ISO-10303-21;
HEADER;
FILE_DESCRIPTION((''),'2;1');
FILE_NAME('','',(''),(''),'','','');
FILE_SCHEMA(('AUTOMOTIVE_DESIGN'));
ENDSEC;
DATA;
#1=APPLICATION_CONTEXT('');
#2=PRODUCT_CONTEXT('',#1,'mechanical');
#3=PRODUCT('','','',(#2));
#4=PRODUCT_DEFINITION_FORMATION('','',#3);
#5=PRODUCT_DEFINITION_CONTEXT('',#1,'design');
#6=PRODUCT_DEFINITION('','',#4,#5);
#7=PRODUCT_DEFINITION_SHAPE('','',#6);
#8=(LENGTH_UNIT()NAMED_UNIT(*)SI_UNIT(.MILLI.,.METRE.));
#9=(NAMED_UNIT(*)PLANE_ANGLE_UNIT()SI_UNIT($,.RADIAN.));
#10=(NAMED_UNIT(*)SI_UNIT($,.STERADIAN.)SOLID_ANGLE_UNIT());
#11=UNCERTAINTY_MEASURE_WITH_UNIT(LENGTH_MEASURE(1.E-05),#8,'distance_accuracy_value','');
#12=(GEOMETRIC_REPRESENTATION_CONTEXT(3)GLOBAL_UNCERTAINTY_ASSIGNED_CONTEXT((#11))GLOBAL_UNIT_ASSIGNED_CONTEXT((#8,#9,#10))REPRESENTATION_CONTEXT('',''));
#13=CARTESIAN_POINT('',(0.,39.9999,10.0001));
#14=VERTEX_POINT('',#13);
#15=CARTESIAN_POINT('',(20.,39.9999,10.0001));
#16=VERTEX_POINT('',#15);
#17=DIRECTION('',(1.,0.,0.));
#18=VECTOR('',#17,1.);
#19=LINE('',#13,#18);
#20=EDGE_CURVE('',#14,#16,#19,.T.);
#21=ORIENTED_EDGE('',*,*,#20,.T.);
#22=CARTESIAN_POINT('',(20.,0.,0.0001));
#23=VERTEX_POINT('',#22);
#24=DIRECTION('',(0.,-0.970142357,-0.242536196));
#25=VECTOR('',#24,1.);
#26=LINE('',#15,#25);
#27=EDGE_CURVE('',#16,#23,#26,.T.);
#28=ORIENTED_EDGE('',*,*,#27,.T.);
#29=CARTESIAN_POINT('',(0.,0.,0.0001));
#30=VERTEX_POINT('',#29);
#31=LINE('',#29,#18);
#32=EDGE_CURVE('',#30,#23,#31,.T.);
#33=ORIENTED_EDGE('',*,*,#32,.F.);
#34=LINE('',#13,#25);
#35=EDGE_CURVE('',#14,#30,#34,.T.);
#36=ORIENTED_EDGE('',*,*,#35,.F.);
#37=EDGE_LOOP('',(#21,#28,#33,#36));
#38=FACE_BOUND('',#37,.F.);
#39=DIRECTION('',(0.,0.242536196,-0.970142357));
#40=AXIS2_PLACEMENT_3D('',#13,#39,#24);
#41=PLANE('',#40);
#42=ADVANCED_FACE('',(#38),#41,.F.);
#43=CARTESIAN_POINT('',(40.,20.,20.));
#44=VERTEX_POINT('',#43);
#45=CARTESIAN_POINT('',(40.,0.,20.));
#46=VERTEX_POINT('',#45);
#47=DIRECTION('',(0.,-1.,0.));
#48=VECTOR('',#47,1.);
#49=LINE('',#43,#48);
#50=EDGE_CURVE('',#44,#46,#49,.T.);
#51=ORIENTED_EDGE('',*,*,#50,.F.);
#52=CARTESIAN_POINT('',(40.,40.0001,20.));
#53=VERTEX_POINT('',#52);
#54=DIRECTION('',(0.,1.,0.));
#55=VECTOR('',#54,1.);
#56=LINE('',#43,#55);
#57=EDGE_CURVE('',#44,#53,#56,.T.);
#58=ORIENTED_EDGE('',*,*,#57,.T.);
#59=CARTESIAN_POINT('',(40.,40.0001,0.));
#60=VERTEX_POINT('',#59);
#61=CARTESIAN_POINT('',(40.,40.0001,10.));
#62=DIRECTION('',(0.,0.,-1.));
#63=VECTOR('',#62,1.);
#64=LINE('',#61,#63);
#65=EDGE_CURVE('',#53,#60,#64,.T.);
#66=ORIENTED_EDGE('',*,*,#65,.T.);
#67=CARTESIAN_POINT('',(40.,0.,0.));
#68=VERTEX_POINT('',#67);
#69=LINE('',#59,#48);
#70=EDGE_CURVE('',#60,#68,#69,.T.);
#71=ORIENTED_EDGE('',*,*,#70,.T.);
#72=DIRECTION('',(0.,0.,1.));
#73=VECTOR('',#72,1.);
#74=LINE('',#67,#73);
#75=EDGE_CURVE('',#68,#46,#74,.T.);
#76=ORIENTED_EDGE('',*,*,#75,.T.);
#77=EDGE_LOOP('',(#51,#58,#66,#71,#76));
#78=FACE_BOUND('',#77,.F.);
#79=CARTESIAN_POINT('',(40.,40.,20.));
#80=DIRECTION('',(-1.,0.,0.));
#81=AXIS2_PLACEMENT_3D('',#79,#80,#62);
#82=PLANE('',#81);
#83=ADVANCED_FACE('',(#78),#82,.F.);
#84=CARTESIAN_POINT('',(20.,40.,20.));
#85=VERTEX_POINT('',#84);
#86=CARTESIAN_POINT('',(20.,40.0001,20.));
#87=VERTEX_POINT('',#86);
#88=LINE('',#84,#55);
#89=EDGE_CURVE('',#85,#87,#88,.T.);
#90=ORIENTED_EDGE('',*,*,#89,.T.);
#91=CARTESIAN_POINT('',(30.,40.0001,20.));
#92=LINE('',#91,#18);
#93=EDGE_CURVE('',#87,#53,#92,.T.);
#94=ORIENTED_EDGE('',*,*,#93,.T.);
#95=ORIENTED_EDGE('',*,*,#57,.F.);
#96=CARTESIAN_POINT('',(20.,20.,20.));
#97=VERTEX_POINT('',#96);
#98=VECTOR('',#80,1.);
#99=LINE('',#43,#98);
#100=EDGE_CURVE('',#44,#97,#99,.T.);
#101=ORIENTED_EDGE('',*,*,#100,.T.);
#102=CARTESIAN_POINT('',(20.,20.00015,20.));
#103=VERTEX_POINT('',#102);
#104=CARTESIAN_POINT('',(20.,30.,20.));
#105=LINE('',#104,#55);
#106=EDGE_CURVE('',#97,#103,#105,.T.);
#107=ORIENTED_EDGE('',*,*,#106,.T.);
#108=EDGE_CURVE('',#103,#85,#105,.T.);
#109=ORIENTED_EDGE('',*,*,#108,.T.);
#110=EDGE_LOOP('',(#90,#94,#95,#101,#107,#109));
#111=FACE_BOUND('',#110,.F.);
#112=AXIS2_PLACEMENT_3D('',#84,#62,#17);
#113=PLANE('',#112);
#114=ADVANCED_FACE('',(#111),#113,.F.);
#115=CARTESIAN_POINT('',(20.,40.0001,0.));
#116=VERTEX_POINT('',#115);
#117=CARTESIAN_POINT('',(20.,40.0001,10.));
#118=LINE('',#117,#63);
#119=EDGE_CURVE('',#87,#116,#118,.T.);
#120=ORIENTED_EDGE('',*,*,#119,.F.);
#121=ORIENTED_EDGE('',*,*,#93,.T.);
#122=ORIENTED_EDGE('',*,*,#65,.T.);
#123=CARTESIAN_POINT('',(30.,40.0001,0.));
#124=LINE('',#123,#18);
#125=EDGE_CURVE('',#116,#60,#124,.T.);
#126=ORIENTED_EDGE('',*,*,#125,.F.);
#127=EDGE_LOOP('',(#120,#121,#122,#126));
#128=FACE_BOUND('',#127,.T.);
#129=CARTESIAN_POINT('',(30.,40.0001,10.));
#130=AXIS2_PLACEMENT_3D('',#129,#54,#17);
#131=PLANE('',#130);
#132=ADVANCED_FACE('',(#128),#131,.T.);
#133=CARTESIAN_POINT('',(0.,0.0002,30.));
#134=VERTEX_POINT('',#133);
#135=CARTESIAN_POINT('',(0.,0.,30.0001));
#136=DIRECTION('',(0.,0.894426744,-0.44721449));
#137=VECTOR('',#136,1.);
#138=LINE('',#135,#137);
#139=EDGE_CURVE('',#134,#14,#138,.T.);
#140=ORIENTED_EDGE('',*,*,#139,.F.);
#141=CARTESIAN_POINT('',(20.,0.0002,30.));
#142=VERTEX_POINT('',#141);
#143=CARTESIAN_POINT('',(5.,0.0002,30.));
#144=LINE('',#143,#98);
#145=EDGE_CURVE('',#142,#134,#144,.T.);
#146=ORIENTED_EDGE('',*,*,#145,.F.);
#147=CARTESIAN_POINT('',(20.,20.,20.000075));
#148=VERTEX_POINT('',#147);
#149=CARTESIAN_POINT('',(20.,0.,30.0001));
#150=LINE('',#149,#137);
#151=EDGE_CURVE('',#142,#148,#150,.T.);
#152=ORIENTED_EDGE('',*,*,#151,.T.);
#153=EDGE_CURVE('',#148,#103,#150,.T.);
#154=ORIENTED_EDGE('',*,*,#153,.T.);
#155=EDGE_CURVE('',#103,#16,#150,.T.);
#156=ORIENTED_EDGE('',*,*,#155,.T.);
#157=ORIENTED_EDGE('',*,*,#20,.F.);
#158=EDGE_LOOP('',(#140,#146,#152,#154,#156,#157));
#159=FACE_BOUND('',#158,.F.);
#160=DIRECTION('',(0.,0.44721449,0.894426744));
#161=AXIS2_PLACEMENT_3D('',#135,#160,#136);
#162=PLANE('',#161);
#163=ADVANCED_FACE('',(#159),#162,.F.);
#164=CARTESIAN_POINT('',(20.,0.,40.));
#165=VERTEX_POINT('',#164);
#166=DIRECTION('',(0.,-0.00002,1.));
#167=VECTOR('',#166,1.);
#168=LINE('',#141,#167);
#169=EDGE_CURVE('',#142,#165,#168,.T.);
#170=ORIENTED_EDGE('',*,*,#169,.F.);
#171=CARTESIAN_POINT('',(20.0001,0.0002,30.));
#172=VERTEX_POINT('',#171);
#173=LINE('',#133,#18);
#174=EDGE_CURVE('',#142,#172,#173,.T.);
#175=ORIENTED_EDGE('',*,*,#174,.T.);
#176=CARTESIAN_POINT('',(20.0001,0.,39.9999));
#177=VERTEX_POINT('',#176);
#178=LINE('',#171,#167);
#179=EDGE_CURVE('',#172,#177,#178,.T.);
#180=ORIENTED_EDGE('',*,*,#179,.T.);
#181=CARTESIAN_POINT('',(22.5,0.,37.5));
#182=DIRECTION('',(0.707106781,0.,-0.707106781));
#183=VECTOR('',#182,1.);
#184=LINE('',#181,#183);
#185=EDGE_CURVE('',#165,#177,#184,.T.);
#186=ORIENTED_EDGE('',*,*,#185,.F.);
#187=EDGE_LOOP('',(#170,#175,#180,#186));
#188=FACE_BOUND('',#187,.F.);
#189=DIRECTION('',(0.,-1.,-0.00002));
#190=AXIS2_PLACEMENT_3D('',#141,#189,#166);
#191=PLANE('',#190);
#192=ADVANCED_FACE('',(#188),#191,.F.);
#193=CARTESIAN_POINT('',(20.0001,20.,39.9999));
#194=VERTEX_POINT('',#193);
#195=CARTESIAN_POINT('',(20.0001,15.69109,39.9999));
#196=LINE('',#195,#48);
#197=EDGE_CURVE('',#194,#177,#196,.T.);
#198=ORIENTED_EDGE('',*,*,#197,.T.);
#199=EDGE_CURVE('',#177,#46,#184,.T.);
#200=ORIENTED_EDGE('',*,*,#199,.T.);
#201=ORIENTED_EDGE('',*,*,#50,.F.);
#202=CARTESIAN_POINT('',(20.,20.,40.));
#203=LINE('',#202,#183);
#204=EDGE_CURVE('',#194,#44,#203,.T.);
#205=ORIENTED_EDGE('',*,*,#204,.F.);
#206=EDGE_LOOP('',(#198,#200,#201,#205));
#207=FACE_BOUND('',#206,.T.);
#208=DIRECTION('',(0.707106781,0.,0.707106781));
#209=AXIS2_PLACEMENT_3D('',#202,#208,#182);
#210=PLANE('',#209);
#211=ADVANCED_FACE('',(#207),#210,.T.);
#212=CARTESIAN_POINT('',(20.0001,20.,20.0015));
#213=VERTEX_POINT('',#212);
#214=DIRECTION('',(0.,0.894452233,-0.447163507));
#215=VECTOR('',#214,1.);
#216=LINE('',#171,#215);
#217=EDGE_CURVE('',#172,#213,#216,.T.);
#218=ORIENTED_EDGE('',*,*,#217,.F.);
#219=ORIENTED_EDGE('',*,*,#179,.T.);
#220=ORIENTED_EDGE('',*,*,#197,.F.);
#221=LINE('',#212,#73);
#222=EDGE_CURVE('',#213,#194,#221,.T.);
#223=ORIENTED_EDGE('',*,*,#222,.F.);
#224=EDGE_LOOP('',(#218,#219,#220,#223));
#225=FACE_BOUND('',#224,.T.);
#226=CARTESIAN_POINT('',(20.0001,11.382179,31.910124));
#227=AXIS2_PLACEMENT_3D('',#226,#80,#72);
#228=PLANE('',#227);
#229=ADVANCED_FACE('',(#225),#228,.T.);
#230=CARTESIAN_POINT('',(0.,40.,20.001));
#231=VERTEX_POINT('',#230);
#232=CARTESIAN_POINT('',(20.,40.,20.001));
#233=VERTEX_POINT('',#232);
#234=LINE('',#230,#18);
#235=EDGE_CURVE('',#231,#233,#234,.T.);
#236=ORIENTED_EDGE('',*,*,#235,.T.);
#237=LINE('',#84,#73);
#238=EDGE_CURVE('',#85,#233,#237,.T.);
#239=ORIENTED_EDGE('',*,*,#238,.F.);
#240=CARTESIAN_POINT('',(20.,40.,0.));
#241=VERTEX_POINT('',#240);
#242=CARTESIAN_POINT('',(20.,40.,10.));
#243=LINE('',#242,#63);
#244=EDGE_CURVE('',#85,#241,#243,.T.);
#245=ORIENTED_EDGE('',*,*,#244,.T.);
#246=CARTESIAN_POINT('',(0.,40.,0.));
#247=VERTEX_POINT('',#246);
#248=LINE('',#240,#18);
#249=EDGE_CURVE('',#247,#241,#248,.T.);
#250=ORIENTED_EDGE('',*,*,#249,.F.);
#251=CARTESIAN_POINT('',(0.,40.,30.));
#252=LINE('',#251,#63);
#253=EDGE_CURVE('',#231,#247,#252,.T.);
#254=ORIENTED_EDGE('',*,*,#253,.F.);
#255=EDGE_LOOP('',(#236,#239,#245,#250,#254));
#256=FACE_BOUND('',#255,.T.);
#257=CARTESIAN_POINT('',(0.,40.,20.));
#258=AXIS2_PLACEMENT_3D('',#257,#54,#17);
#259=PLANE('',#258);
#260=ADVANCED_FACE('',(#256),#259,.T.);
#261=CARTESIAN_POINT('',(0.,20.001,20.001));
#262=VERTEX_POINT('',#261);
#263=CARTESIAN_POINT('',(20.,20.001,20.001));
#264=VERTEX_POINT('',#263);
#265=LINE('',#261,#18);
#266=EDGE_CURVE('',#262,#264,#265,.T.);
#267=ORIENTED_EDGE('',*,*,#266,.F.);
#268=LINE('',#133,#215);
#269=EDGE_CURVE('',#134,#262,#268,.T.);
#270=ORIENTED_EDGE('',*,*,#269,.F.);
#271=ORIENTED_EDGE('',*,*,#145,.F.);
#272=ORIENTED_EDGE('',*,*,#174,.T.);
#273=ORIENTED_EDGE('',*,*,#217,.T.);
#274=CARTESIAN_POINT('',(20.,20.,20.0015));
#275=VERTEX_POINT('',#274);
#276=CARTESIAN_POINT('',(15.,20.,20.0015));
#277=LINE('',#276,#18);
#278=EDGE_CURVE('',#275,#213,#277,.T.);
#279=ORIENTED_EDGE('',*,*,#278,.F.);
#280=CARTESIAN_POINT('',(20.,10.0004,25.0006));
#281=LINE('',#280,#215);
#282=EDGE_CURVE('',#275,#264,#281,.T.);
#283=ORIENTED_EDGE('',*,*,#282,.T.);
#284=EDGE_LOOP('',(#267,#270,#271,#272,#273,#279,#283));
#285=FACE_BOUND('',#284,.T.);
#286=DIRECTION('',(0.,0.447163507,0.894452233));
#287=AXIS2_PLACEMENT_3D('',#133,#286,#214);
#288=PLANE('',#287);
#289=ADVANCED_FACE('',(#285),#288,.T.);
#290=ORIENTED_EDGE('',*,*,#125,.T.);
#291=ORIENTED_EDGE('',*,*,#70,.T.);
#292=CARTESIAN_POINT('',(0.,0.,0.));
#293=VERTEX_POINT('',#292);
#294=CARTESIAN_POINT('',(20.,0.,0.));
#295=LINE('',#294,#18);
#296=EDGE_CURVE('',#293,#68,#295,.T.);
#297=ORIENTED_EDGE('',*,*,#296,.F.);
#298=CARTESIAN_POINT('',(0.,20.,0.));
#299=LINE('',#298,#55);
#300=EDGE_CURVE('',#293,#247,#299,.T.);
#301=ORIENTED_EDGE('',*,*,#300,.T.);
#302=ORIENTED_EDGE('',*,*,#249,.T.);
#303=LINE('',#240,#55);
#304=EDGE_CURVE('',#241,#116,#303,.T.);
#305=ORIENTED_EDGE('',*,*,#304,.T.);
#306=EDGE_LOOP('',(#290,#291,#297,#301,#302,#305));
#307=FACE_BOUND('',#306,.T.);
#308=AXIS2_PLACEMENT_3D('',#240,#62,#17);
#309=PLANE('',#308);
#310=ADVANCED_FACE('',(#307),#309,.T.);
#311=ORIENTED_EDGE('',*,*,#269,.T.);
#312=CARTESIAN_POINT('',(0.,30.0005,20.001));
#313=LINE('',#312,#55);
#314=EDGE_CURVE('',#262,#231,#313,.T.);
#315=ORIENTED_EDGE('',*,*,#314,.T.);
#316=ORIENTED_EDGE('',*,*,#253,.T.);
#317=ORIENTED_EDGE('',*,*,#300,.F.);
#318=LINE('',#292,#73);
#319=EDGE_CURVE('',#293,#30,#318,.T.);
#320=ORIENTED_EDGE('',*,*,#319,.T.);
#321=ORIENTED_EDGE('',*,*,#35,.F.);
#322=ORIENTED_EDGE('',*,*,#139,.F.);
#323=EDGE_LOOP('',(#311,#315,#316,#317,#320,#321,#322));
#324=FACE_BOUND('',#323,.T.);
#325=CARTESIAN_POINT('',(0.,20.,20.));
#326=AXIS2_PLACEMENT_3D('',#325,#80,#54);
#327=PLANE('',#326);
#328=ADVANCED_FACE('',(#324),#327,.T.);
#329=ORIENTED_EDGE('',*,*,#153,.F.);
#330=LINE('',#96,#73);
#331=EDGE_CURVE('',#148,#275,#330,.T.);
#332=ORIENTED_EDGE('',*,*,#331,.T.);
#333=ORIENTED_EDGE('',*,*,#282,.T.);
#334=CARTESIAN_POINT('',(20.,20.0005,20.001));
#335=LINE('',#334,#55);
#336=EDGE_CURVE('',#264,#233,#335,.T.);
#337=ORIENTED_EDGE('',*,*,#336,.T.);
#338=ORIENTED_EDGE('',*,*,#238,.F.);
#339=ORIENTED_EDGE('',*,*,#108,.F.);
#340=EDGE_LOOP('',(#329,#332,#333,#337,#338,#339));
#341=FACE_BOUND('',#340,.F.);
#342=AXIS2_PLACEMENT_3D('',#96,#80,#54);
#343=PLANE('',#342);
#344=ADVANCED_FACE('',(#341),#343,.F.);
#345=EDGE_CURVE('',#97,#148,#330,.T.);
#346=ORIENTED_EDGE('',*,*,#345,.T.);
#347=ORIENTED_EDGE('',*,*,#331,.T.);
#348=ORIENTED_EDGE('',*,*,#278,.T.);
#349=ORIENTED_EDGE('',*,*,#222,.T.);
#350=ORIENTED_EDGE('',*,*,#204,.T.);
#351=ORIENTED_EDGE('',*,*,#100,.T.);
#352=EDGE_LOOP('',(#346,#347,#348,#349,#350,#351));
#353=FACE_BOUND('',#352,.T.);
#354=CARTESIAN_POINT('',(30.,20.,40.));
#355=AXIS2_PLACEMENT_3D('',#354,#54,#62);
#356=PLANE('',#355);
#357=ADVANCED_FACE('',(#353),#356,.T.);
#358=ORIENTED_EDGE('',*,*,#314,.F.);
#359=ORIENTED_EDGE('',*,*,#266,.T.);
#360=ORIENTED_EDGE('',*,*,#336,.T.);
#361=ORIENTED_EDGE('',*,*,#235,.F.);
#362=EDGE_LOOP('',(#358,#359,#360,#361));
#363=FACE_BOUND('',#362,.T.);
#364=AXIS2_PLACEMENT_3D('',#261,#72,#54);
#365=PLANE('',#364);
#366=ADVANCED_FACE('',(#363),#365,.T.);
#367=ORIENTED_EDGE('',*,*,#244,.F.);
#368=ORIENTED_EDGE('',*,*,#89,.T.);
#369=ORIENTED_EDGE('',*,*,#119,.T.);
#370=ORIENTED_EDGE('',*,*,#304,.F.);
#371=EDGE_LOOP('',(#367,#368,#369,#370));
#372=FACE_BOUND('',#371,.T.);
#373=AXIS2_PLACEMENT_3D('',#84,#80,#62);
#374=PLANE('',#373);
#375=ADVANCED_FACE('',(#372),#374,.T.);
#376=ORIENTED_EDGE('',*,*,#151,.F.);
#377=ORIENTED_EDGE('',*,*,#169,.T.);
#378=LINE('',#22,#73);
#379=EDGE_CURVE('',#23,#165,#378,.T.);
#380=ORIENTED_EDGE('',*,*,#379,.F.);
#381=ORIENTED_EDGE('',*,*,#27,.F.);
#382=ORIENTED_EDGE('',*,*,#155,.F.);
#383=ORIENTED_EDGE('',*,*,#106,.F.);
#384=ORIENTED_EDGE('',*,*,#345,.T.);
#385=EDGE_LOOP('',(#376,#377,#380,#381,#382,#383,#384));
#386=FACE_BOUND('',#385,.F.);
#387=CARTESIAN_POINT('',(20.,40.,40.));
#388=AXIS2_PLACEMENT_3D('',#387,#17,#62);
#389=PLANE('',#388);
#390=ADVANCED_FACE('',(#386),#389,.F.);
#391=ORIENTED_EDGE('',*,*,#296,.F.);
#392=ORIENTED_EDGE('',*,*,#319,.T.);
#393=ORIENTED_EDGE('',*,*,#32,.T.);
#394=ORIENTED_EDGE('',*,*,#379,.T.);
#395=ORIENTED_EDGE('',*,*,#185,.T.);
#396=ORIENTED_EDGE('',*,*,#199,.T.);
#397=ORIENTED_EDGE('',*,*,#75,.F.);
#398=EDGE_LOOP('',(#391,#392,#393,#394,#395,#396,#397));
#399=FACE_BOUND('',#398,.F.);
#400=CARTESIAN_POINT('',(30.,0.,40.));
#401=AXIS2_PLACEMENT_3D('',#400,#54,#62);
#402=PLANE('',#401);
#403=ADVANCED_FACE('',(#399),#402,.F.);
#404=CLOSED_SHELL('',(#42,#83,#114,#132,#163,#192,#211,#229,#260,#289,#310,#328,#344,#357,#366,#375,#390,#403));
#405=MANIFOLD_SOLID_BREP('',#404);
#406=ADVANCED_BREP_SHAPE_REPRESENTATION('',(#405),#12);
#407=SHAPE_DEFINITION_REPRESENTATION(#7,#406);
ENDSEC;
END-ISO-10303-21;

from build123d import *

# Parameters (mm, degrees)
SKETCH1_W           = 40
SKETCH1_H           = 40
BOSS_EXTRUDE1_DEPTH = 40
SKETCH2_W           = 20
SKETCH2_H           = 10
CUT_EXTRUDE1_DEPTH  = 40
SKETCH3_W           = 20
SKETCH3_H           = 20
CUT_EXTRUDE2_DEPTH  = 40
SKETCH5_W           = 20
SKETCH5_H           = 20
CUT_EXTRUDE3_DEPTH  = 10
SKETCH7_W           = 20
SKETCH7_H           = 20
BOSS_EXTRUDE2_DEPTH = 10
SKETCH8_W           = 20
SKETCH8_H           = 20
BOSS_EXTRUDE3_DEPTH = 10
CUT_EXTRUDE10_DEPTH = 27
CUT_EXTRUDE12_DEPTH = 20
SKETCH12_W          = 20
SKETCH12_H          = 20
BOSS_EXTRUDE4_DEPTH = 0.0001
SKETCH14_W          = 9.999
SKETCH14_H          = 19.999
CUT_EXTRUDE19_DEPTH = 20.0001
CUT_EXTRUDE20_DEPTH = 20.0001
CUT_EXTRUDE21_DEPTH = 0.0001


with BuildPart() as part:
    # Sketch1 → Boss-Extrude1 (new body)
    with BuildSketch(Plane.XY):
        with Locations((20, 20)):
            Rectangle(SKETCH1_W, SKETCH1_H)
    extrude(amount=BOSS_EXTRUDE1_DEPTH)

    # Sketch2 → Cut-Extrude1 (cut)
    with BuildSketch(Plane(origin=(0, 40, 0), x_dir=(1, 0, 0), z_dir=(0, 1, 0))):
        with Locations((10, -35)):
            Rectangle(SKETCH2_W, SKETCH2_H)
    extrude(amount=-CUT_EXTRUDE1_DEPTH, mode=Mode.SUBTRACT)

    # Sketch3 → Cut-Extrude2 (cut)
    with BuildSketch(Plane.ZY):
        with Locations((30, 30)):
            Rectangle(SKETCH3_W, SKETCH3_H)
    extrude(amount=-CUT_EXTRUDE2_DEPTH, mode=Mode.SUBTRACT)

    # Sketch5 → Cut-Extrude3 (cut)
    with BuildSketch(Plane(origin=(40, 0, 0), x_dir=(0, 0, -1), z_dir=(1, 0, 0))):
        with Locations((-30, 10)):
            Rectangle(SKETCH5_W, SKETCH5_H)
    extrude(amount=-CUT_EXTRUDE3_DEPTH, mode=Mode.SUBTRACT)

    # Sketch7 → Boss-Extrude2 (add)
    with BuildSketch(Plane.XY.offset(20)):
        with Locations((10, 30)):
            Rectangle(SKETCH7_W, SKETCH7_H)
    extrude(amount=BOSS_EXTRUDE2_DEPTH)

    # Sketch8 → Boss-Extrude3 (add)
    with BuildSketch(Plane(origin=(30, 0, 0), x_dir=(0, 0, -1), z_dir=(1, 0, 0))):
        with Locations((-30, 10)):
            Rectangle(SKETCH8_W, SKETCH8_H)
    extrude(amount=BOSS_EXTRUDE3_DEPTH)

    # Sketch10 → Cut-Extrude10 (cut)
    with BuildSketch(Plane(origin=(0, 20, 0), x_dir=(1, 0, 0), z_dir=(0, 1, 0))):
        Polygon((20, -40), (40, -20), (40, -40), align=None)
    extrude(amount=-CUT_EXTRUDE10_DEPTH, mode=Mode.SUBTRACT)

    # Sketch11 → Cut-Extrude12 (cut)
    with BuildSketch(Plane.ZY):
        Polygon((10.0001, 39.9999), (0.0001, 0), (30.0001, 0), align=None)
    extrude(amount=-CUT_EXTRUDE12_DEPTH, mode=Mode.SUBTRACT)

    # Sketch12 → Boss-Extrude4 (add)
    with BuildSketch(Plane(origin=(0, 40, 0), x_dir=(1, 0, 0), z_dir=(0, 1, 0))):
        with Locations((30, -10)):
            Rectangle(SKETCH12_W, SKETCH12_H)
    extrude(amount=BOSS_EXTRUDE4_DEPTH)

    # Sketch14 → Cut-Extrude19 (cut)
    with BuildSketch(Plane.ZY):
        with Locations((25.0005, 30.0005)):
            Rectangle(SKETCH14_W, SKETCH14_H)
    extrude(amount=-CUT_EXTRUDE19_DEPTH, mode=Mode.SUBTRACT)

    # Sketch15 → Cut-Extrude20 (cut)
    with BuildSketch(Plane.ZY):
        Polygon((20.001, 20.001), (30, 20.001), (30, 0.0002), align=None)
    extrude(amount=-CUT_EXTRUDE20_DEPTH, mode=Mode.SUBTRACT)

    # Sketch16 → Cut-Extrude21 (cut)
    with BuildSketch(Plane.ZY.offset(-20)):
        Polygon((40, 20), (20.001, 20.001), (30, 0.0002), (40, 0), align=None)
    extrude(amount=-CUT_EXTRUDE21_DEPTH, mode=Mode.SUBTRACT)


solid = part.part
